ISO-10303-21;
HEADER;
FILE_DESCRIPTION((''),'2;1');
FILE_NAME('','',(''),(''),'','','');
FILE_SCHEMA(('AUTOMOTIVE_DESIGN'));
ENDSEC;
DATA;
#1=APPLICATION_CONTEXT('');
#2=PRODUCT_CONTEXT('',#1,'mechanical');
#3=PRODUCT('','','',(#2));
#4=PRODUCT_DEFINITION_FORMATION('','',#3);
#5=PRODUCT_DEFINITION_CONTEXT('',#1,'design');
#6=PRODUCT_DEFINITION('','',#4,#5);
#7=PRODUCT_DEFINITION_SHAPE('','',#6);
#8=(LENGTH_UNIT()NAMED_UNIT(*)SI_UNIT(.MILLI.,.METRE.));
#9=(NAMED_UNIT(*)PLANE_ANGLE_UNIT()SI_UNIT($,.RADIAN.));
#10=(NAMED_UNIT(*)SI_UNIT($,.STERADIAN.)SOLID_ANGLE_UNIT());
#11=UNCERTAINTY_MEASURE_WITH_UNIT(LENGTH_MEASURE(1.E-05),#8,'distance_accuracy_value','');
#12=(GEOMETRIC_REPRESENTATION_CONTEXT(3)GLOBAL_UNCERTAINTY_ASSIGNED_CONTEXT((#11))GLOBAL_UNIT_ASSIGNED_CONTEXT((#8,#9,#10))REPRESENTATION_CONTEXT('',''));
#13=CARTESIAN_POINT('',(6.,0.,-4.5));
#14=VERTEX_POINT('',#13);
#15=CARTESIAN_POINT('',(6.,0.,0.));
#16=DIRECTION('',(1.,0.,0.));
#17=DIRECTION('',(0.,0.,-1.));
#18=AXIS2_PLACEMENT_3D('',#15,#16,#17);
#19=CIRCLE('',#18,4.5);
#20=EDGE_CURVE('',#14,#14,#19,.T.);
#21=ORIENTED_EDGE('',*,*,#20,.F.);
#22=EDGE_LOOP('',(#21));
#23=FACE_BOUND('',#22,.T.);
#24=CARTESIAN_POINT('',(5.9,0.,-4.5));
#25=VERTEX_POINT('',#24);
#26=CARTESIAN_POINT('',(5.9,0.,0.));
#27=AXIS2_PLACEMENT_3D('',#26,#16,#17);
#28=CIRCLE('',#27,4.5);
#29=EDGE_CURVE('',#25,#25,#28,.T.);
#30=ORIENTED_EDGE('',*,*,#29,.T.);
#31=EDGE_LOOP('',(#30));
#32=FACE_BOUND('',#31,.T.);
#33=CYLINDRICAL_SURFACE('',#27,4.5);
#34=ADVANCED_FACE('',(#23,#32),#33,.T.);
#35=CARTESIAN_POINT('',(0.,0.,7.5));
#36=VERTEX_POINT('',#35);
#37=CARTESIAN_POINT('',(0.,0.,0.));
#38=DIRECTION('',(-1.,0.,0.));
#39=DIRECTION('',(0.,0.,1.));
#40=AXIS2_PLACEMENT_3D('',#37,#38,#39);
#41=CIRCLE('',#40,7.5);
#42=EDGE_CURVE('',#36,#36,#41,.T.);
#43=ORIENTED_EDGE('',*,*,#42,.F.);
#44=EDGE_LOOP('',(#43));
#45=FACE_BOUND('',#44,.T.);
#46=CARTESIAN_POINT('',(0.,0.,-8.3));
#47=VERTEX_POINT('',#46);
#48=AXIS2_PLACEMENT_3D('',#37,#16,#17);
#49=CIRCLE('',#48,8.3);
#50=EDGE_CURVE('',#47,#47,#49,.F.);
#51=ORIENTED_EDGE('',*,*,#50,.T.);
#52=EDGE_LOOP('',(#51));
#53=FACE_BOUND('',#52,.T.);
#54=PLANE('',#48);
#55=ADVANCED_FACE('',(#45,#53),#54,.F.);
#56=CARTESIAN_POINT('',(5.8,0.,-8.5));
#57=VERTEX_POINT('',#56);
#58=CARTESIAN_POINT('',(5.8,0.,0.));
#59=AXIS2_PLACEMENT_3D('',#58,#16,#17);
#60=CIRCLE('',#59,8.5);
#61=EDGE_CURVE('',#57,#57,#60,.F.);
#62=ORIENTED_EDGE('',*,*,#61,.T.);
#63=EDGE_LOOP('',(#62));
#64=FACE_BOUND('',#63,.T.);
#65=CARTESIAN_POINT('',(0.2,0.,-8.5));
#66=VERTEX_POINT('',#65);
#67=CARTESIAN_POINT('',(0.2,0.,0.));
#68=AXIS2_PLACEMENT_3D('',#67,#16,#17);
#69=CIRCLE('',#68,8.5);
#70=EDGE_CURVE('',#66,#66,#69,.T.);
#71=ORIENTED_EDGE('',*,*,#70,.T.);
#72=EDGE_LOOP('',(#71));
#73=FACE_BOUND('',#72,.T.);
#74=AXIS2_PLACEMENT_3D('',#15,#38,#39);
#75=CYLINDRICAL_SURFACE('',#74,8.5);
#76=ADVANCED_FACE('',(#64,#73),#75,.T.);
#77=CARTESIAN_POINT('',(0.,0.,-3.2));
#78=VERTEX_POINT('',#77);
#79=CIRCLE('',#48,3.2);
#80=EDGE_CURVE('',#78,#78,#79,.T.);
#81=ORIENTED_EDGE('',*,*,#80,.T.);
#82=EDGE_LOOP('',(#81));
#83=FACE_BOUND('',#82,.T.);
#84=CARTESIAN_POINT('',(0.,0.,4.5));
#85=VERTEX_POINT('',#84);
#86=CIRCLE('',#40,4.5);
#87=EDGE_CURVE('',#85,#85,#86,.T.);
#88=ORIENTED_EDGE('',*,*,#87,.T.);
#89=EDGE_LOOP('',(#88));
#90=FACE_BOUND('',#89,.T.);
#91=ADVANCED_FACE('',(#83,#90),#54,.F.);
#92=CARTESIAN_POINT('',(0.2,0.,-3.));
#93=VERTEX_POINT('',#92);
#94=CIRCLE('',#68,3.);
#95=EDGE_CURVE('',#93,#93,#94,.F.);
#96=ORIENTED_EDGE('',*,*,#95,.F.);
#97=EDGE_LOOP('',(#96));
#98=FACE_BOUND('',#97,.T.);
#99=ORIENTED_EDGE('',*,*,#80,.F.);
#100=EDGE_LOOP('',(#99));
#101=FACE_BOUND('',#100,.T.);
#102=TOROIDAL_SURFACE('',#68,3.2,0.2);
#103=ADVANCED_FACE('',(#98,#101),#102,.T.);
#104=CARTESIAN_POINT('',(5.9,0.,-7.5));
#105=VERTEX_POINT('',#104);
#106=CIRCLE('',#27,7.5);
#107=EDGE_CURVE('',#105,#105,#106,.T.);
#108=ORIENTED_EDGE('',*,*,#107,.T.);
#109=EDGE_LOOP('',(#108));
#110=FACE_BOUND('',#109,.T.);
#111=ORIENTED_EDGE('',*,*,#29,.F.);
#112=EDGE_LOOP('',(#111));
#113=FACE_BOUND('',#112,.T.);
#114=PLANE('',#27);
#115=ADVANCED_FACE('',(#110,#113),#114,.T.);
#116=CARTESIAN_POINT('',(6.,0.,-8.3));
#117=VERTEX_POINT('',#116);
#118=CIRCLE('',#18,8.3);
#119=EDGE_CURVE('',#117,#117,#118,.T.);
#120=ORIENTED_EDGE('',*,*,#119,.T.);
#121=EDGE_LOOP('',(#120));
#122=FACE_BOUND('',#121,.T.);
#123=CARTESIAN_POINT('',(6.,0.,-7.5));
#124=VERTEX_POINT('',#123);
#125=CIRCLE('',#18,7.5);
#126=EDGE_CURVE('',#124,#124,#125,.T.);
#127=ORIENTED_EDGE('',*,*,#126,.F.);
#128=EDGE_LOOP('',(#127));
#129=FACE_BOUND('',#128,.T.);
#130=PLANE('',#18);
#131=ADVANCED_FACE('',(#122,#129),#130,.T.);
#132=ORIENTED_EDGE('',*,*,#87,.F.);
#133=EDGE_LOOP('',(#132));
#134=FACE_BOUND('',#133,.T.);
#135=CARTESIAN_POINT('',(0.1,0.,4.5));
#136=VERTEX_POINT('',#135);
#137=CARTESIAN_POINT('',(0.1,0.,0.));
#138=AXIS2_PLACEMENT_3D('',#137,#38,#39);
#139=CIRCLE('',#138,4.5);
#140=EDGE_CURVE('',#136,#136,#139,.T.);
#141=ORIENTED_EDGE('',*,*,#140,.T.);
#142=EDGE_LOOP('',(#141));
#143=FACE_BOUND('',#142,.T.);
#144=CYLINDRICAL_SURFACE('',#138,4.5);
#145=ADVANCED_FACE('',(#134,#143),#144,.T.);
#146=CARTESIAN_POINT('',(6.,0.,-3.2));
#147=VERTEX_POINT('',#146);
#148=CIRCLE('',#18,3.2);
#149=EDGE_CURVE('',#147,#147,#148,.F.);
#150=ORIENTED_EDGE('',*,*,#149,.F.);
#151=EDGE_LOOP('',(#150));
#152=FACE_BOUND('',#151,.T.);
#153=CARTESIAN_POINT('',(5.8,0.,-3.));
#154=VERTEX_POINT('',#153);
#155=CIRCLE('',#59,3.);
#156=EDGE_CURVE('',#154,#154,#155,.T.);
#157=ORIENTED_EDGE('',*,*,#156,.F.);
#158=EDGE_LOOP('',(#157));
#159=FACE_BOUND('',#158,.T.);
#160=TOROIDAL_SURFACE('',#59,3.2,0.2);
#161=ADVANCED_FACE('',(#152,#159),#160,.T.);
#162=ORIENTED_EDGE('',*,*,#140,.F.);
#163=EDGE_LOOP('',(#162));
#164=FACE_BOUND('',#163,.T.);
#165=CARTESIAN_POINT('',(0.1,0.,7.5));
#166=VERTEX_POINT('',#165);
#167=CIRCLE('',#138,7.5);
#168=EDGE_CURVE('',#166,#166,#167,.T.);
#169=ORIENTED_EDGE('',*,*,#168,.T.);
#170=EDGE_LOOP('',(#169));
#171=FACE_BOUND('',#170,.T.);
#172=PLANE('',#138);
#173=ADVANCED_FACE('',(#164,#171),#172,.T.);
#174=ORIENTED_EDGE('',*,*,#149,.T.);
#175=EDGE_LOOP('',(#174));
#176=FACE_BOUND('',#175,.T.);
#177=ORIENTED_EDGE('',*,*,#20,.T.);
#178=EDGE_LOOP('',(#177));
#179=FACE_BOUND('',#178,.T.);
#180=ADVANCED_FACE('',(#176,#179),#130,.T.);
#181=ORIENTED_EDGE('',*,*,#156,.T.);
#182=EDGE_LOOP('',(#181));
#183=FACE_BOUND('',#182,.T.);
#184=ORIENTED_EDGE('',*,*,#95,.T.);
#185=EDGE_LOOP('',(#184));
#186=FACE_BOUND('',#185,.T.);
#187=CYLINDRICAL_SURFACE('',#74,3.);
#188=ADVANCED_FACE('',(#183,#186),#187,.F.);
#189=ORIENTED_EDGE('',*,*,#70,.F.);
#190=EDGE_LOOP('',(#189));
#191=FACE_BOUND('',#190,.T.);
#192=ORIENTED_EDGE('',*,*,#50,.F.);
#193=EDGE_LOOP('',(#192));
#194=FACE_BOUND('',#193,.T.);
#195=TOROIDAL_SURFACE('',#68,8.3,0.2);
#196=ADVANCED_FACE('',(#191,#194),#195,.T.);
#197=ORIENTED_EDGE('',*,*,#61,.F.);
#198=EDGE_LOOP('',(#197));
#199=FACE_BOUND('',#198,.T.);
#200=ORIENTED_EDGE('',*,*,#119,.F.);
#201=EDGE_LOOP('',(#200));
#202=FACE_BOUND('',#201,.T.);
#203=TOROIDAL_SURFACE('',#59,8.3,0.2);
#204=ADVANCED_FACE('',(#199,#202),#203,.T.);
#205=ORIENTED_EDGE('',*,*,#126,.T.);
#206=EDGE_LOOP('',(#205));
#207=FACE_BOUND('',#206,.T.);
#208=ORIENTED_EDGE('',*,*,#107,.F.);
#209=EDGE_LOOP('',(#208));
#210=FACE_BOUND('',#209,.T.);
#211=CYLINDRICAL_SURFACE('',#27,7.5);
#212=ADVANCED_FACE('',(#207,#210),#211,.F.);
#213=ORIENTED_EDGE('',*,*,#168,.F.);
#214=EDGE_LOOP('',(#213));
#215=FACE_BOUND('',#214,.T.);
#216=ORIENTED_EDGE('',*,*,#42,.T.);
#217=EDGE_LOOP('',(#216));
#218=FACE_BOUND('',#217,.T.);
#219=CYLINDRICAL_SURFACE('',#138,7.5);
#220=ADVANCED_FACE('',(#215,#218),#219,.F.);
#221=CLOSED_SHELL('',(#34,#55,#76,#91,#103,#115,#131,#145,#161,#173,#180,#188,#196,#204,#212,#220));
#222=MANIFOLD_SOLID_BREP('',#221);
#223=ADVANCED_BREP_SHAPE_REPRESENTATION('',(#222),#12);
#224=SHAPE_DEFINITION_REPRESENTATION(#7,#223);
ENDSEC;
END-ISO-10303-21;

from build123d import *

# Parameters (mm, degrees)
SKETCH1_R           = 8.5
SKETCH1_R_2         = 3
BOSS_EXTRUDE1_DEPTH = 6
SKETCH2_R           = 7.5
SKETCH2_R_2         = 4.5
CUT_EXTRUDE1_DEPTH  = 0.1
CUT_EXTRUDE2_START  = -0.1
SKETCH3_R           = 7.5
SKETCH3_R_2         = 4.5
CUT_EXTRUDE2_DEPTH  = 0.1
FILLET1_R           = 0.2


with BuildPart() as part:
    # Sketch1 → Boss-Extrude1 (new body)
    with BuildSketch(Plane(origin=(0, 0, 0), x_dir=(0, 0, -1), z_dir=(1, 0, 0))):
        Circle(SKETCH1_R)
        Circle(SKETCH1_R_2, mode=Mode.SUBTRACT)
    extrude(amount=BOSS_EXTRUDE1_DEPTH)

    # Sketch2 → Cut-Extrude1 (cut)
    with BuildSketch(Plane(origin=(6, 0, 0), x_dir=(0, 0, -1), z_dir=(1, 0, 0))):
        Circle(SKETCH2_R)
        Circle(SKETCH2_R_2, mode=Mode.SUBTRACT)
    extrude(amount=-CUT_EXTRUDE1_DEPTH, mode=Mode.SUBTRACT)

    # Sketch3 → Cut-Extrude2 (cut)
    with BuildSketch(Plane.ZY.offset(CUT_EXTRUDE2_START)):
        with Locations(Location((0, 0, 0), (0, 0, 180))):
            Circle(SKETCH3_R)
        with Locations(Location((0, 0, 0), (0, 0, 180))):
            Circle(SKETCH3_R_2, mode=Mode.SUBTRACT)
    extrude(amount=CUT_EXTRUDE2_DEPTH, mode=Mode.SUBTRACT)

    # Fillet1
    fillet1_edges = [part.edges().sort_by_distance(p)[0] for p in [
        (0, 0, 8.5),
        (6, 0, 8.5),
        (0, 0, 3),
        (6, 0, 3),
    ]]
    fillet(fillet1_edges, radius=FILLET1_R)


solid = part.part
